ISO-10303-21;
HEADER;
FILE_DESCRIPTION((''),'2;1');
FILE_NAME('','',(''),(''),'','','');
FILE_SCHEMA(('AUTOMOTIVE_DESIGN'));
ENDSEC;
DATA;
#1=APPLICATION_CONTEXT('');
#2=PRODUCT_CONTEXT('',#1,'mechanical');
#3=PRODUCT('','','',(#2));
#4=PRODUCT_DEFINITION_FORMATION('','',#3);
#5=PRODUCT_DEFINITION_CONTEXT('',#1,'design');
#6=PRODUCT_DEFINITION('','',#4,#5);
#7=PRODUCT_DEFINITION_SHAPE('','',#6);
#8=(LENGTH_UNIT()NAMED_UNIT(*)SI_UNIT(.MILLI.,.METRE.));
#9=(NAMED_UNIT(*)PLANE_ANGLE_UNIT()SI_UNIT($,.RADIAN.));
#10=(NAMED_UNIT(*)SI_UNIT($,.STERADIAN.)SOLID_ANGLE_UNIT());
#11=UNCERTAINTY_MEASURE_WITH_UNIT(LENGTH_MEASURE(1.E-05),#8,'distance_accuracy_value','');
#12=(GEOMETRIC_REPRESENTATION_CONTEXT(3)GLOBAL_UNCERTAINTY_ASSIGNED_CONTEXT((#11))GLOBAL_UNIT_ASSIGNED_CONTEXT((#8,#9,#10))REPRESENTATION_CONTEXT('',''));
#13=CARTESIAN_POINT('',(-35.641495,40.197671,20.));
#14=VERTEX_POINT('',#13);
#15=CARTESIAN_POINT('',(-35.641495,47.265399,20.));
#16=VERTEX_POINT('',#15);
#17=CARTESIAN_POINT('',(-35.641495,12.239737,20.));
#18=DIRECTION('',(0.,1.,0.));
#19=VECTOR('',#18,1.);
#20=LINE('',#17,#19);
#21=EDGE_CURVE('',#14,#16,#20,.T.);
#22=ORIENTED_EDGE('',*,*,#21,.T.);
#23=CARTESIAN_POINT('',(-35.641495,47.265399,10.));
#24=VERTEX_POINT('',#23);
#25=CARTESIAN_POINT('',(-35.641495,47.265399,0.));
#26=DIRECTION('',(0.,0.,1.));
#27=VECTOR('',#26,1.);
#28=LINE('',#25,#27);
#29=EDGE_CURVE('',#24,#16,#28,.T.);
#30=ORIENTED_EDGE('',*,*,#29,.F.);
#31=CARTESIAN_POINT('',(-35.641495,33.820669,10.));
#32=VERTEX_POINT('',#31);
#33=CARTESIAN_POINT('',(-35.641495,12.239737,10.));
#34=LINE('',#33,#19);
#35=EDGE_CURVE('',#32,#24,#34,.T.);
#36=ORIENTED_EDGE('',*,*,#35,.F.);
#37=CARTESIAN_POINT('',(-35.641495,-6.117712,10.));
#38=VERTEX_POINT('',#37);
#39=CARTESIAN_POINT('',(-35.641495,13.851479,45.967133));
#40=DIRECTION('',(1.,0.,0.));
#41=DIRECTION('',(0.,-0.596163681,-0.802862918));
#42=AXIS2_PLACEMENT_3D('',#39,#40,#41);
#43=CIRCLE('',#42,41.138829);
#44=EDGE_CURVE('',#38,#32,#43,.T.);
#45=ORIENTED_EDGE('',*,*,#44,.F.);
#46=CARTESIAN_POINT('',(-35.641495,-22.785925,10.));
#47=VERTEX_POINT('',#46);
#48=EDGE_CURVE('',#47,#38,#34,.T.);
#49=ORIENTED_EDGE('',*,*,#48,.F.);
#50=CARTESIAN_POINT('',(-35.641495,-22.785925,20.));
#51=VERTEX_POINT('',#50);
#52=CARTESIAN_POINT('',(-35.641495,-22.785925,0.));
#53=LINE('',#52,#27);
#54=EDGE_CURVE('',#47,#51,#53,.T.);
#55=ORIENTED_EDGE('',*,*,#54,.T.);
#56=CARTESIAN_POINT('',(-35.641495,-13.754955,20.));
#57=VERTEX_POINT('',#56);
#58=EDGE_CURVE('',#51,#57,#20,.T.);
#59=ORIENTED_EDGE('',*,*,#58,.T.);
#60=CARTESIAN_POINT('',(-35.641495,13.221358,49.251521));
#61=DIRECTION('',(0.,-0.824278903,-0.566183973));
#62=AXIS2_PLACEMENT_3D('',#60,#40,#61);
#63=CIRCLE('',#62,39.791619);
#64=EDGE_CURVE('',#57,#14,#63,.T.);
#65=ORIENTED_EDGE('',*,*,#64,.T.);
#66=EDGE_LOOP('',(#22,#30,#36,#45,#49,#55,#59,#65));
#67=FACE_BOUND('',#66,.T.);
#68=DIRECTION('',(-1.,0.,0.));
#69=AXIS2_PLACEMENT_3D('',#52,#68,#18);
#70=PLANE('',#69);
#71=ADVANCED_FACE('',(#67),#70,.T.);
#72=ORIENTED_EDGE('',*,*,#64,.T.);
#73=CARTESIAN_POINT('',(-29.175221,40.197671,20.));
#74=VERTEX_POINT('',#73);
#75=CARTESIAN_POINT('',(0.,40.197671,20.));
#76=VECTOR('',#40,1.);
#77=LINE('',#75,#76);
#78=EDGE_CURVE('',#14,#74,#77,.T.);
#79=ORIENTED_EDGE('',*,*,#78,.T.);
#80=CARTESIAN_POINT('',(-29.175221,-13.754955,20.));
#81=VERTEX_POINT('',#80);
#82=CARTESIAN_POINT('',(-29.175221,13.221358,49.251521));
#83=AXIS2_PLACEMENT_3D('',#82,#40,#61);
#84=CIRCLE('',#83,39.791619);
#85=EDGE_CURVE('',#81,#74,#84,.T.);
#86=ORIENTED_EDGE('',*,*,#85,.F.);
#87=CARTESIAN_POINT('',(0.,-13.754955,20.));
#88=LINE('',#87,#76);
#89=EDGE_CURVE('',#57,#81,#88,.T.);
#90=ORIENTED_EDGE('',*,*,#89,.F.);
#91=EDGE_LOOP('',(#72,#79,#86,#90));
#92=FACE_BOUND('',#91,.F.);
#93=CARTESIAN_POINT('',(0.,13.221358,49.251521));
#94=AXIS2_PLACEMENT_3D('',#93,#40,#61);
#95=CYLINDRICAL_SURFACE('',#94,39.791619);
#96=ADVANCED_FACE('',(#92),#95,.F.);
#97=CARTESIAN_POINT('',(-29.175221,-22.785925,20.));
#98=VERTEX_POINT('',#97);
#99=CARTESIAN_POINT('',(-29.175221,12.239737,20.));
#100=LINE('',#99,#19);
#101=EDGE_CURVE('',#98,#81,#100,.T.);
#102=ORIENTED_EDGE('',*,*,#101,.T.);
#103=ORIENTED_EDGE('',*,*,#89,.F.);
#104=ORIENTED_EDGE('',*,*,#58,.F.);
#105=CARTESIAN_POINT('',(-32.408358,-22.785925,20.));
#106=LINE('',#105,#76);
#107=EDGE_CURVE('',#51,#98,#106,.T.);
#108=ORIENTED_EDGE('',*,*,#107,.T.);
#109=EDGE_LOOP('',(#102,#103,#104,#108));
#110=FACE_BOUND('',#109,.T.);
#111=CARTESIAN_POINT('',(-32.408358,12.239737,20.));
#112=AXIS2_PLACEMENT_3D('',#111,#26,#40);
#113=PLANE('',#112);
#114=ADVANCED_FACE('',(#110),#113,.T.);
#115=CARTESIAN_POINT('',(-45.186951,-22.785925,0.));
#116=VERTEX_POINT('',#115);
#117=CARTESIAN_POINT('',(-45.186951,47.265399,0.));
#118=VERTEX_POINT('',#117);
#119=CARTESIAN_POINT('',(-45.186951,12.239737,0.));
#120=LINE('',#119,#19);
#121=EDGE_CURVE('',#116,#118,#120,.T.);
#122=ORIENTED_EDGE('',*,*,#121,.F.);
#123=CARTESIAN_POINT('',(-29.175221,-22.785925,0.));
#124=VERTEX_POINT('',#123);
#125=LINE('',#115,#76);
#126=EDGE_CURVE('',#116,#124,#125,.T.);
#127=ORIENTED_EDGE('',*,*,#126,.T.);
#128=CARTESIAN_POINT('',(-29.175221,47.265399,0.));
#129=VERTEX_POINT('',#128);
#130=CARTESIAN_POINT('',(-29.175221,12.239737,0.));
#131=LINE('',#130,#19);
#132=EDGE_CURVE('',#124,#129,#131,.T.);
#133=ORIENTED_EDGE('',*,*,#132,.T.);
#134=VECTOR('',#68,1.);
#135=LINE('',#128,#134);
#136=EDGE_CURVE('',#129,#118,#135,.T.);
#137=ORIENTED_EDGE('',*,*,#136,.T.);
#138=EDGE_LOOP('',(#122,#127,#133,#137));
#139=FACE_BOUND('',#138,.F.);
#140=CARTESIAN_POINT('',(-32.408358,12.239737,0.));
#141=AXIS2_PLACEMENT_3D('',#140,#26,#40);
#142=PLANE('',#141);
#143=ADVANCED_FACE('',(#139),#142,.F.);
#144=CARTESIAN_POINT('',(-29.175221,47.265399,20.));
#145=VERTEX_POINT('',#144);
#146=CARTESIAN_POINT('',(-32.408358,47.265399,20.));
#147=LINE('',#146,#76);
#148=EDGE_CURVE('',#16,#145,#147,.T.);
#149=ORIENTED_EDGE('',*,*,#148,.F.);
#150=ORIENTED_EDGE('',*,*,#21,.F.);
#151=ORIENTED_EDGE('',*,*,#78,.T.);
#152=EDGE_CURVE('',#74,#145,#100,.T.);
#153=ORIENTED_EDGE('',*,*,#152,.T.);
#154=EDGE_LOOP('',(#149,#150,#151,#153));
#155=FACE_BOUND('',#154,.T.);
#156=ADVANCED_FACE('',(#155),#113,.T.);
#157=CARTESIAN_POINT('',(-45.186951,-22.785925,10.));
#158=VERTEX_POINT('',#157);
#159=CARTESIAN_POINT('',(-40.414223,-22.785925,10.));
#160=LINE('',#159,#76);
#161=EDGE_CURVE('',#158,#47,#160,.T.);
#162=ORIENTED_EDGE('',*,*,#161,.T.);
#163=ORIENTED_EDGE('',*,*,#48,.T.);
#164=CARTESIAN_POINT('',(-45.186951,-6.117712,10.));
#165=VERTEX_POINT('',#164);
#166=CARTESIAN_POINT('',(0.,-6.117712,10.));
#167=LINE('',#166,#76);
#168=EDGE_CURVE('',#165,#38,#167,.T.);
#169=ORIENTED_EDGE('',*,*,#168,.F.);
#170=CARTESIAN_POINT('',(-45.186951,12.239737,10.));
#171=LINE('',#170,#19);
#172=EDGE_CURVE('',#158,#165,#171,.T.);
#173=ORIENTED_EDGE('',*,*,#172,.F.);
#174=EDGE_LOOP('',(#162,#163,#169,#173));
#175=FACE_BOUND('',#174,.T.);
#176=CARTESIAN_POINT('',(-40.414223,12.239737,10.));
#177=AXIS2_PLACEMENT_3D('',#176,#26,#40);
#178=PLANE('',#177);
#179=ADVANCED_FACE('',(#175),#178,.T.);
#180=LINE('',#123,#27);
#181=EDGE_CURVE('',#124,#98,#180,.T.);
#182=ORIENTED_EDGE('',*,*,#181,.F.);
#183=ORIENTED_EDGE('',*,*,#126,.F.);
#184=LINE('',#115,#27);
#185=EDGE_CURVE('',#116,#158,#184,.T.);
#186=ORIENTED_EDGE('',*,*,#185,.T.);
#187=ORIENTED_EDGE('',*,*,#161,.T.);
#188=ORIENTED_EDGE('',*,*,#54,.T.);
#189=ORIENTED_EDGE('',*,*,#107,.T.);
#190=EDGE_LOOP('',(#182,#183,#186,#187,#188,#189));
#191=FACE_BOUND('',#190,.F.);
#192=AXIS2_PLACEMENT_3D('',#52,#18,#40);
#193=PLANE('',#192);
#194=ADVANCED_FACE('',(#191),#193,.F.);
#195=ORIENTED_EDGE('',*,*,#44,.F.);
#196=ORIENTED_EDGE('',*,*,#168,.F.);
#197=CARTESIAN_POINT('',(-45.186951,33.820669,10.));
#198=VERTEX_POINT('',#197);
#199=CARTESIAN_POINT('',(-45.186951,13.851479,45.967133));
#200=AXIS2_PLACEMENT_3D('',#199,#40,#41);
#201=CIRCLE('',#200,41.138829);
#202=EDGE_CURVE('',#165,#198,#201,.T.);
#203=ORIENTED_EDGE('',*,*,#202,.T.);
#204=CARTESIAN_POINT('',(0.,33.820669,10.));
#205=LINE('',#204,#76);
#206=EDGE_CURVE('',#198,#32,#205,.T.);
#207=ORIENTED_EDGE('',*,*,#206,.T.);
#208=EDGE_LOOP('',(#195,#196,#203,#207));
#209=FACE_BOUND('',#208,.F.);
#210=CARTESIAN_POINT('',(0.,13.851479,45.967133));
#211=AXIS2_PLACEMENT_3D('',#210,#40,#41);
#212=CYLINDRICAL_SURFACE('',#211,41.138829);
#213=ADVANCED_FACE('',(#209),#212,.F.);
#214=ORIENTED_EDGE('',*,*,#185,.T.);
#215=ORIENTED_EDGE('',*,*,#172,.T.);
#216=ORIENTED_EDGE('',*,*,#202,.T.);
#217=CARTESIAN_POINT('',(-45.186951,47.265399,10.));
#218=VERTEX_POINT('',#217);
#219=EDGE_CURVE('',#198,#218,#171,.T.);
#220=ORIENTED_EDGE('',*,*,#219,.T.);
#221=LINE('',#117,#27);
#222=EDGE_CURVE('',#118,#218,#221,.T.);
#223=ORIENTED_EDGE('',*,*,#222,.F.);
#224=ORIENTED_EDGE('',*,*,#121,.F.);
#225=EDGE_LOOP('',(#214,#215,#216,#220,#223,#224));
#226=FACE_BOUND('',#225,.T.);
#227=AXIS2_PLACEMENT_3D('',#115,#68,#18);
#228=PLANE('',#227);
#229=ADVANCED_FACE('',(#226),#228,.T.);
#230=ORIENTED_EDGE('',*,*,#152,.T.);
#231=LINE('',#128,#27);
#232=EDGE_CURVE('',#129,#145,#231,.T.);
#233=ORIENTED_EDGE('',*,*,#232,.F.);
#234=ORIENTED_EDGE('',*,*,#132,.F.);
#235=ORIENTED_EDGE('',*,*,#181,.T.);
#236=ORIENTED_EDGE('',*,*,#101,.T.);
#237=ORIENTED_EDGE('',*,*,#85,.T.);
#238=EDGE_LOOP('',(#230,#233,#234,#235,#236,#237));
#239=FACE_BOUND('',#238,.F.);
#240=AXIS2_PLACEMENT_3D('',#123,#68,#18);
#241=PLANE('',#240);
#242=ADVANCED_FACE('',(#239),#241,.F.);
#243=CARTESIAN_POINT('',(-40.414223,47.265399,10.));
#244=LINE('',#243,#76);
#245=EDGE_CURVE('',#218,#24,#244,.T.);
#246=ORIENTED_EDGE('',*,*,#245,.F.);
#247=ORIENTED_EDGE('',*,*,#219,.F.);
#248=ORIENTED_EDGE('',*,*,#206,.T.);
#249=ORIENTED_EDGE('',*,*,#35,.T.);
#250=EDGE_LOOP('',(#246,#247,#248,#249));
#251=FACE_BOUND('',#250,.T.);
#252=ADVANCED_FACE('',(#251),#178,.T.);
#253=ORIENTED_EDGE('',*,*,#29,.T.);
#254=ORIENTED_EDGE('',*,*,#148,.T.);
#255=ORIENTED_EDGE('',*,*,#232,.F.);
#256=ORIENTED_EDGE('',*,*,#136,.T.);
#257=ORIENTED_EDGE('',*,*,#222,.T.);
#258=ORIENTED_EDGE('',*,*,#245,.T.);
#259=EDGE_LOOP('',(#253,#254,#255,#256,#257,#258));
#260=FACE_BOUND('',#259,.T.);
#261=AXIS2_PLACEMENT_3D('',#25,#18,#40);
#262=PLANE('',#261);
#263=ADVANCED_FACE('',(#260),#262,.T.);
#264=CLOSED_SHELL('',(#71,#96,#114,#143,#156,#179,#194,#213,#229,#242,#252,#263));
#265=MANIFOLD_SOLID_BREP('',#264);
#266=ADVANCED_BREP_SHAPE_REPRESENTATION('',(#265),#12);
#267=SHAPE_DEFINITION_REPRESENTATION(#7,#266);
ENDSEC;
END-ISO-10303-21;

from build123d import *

# Parameters (mm, degrees)
F0_W     = 9.545457
F0_H     = 70.051323
F1_DEPTH = 10
F3_DEPTH = 50
F0_W_2   = 6.466273
F4_DEPTH = 20
F6_DEPTH = 50


with BuildPart() as f1:
    # F0 (on Top) → F1 (new body)
    with BuildSketch(Plane.XY):
        with Locations((-40.414223, 12.239737)):
            Rectangle(F0_W, F0_H)
    extrude(amount=F1_DEPTH)

    # F2 (on Right) → F3 (cut)
    with BuildSketch(Plane.YZ):
        with BuildLine():
            ThreePointArc((-10.673997, 12.938293), (14.378322, 4.831678), (39.214806, 13.577245))
            Line((39.214806, 13.577245), (-10.673997, 12.938293))
        make_face()
    extrude(amount=-F3_DEPTH, mode=Mode.SUBTRACT)

    # F0 (on Top) → F4 (join)
    with BuildSketch(Plane.XY):
        with Locations((-32.408358, 12.239737)):
            Rectangle(F0_W_2, F0_H)
    extrude(amount=F4_DEPTH)

    # F5 (on Right) → F6 (cut)
    with BuildSketch(Plane.YZ):
        with BuildLine():
            Line((46.000224, 26.69229), (-19.578034, 26.722144))
            ThreePointArc((-19.578034, 26.722144), (13.203243, 9.459906), (46.000224, 26.69229))
        make_face()
    extrude(amount=-F6_DEPTH, mode=Mode.SUBTRACT)


solid = f1.part
